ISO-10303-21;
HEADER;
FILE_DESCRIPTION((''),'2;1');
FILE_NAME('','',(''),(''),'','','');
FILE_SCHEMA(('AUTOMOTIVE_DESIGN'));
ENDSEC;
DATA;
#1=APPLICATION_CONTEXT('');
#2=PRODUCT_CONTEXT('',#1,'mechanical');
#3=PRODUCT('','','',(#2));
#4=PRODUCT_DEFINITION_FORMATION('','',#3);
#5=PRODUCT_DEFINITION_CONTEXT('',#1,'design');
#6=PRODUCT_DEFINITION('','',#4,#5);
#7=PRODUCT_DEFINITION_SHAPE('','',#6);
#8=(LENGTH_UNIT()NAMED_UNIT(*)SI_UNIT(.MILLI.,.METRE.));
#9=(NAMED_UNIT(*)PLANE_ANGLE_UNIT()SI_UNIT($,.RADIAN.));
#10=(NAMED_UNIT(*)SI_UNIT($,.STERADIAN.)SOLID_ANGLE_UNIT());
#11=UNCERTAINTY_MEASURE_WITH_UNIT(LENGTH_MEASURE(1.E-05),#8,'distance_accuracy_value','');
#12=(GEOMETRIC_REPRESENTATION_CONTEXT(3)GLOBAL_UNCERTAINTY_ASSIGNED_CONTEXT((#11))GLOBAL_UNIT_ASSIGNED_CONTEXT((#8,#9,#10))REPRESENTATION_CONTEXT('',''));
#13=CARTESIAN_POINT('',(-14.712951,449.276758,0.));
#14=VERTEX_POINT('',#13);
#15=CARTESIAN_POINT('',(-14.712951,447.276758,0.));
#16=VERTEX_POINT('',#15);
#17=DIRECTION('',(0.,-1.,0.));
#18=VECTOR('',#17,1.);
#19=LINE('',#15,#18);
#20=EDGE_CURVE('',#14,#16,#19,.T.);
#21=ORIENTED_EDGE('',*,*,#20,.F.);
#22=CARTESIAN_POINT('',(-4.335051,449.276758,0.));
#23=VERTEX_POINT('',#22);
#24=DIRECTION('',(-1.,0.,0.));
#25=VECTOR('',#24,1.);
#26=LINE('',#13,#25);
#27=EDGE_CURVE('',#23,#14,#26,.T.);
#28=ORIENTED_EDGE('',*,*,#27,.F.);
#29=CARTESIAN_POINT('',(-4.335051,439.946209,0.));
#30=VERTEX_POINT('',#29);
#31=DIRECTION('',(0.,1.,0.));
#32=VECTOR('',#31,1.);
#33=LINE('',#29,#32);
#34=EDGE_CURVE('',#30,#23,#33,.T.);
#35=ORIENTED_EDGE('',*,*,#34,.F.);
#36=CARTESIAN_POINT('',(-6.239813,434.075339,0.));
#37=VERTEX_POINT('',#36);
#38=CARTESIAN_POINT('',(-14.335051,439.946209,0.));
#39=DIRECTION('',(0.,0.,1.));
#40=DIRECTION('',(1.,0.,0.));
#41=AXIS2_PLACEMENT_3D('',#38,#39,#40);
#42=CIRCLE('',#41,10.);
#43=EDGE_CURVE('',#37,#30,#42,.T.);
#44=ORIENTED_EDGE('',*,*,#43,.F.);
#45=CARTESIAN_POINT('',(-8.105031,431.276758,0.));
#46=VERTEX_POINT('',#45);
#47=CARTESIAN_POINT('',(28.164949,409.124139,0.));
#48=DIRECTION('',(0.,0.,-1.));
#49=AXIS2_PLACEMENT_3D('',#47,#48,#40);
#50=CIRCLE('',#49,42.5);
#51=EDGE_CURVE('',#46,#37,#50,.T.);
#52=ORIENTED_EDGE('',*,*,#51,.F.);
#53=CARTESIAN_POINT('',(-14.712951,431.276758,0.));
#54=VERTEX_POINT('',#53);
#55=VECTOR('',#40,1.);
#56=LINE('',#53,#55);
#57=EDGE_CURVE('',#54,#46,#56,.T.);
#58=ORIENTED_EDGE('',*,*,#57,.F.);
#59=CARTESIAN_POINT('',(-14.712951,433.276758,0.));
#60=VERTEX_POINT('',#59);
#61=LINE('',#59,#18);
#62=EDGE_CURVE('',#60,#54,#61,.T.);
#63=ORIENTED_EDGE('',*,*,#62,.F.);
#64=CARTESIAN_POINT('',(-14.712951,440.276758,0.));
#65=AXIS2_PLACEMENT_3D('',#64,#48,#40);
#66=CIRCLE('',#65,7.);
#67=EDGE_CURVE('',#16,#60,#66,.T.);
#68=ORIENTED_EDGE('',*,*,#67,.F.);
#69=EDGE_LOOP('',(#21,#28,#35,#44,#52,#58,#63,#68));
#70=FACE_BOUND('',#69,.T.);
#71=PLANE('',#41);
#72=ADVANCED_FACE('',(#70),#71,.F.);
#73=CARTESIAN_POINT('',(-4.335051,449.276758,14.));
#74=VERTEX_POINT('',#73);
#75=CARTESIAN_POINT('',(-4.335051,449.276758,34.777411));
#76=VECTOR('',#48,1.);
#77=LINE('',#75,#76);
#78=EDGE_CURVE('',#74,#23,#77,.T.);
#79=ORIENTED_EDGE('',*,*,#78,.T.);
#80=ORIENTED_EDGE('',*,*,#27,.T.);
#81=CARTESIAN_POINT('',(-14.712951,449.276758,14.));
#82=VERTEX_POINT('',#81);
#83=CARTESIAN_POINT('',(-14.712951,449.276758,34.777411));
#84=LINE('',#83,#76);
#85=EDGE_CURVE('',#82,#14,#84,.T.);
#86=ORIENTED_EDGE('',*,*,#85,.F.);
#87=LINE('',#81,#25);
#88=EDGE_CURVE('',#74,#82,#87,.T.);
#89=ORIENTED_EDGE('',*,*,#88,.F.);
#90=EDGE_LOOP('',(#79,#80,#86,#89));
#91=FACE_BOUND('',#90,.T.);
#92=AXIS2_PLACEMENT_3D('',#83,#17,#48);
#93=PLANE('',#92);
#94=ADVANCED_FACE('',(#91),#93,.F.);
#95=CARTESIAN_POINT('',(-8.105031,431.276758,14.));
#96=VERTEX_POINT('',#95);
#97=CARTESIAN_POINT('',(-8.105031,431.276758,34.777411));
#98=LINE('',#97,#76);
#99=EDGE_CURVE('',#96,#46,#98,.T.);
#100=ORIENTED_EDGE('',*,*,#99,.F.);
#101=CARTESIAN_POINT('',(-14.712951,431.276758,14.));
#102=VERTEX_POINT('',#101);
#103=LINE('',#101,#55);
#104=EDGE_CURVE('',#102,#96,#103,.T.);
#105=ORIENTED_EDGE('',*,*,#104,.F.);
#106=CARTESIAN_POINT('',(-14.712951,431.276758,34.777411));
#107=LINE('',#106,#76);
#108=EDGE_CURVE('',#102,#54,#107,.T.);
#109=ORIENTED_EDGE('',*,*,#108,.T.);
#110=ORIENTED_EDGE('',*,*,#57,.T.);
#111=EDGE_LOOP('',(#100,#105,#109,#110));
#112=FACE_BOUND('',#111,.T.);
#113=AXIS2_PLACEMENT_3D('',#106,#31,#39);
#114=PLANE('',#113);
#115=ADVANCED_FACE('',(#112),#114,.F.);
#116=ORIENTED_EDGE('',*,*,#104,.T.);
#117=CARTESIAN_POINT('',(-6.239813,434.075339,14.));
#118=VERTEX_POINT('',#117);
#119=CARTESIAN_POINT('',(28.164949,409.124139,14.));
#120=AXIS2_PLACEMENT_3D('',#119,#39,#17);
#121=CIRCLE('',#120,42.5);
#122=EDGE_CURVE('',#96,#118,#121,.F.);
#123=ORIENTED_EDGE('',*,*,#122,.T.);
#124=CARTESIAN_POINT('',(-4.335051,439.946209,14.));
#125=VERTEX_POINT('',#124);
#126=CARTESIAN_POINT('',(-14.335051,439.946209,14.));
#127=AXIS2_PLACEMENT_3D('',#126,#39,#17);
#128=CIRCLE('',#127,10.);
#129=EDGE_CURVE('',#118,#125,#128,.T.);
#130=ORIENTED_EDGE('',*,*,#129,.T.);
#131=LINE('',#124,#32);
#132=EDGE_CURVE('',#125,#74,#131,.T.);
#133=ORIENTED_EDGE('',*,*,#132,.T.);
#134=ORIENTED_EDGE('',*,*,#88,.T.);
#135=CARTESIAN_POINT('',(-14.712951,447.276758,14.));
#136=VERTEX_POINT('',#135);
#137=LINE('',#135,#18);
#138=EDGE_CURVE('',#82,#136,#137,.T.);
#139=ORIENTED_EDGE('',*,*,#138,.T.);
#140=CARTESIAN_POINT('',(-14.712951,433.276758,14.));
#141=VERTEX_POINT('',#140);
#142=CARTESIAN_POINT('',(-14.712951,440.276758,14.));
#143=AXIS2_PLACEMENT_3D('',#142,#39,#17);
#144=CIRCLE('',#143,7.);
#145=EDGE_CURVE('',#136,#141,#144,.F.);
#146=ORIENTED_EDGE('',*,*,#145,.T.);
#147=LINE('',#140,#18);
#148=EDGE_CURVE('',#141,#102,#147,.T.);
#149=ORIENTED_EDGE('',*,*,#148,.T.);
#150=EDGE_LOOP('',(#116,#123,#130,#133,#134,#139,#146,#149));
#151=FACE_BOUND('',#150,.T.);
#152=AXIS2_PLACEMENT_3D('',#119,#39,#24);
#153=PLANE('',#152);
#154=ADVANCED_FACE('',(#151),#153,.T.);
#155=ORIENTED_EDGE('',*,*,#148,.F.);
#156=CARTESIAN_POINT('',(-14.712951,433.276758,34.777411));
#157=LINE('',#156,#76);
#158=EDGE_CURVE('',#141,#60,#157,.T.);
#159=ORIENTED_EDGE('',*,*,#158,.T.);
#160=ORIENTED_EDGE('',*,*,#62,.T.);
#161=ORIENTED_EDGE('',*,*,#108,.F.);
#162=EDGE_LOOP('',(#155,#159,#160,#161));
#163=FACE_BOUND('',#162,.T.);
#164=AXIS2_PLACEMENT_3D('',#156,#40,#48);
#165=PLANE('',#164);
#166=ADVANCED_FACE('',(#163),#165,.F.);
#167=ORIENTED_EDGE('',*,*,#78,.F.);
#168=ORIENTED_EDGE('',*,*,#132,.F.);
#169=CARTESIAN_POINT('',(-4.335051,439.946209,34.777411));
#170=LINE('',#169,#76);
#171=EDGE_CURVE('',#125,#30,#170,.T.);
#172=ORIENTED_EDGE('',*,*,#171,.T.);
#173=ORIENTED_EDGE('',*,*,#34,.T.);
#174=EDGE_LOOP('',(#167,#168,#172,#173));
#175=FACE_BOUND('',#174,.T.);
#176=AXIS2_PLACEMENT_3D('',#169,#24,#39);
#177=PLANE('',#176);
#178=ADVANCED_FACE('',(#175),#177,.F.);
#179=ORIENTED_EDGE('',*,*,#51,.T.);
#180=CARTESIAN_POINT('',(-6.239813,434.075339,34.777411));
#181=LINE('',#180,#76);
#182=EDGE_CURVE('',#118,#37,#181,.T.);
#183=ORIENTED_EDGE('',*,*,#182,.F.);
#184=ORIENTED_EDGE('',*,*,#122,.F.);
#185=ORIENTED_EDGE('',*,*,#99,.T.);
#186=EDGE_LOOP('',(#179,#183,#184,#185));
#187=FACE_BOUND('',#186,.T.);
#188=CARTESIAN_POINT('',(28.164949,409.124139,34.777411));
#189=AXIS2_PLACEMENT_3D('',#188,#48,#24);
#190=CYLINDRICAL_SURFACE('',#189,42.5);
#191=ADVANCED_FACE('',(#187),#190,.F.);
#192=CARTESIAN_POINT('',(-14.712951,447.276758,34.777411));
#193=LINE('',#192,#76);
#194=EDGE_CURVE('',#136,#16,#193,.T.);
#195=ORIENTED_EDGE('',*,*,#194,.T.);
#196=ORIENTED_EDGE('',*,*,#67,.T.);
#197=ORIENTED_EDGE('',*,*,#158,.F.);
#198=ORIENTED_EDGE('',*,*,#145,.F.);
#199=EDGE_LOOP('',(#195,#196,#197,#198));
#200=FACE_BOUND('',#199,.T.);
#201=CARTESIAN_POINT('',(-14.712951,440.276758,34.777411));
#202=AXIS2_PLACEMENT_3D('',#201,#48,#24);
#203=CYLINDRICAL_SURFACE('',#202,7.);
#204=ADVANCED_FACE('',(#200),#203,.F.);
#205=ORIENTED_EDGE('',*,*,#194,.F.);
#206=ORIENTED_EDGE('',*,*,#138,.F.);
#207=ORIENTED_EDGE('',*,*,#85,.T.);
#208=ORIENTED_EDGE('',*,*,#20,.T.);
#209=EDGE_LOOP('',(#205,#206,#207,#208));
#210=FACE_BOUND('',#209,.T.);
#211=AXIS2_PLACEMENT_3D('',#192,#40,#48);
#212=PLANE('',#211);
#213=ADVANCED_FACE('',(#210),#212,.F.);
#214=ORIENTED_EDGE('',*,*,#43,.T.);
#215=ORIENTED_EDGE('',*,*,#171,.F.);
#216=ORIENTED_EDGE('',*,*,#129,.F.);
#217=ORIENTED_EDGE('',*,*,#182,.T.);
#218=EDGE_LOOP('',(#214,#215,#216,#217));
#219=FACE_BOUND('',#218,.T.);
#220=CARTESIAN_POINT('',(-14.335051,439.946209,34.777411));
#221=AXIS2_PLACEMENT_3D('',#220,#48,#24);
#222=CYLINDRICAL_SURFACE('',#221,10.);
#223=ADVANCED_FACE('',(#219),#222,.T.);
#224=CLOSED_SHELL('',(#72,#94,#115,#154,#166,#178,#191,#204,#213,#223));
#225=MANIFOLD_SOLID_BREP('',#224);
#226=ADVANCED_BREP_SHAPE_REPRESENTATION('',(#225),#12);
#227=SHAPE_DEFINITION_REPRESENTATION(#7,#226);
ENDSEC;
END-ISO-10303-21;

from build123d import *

# Parameters (mm, degrees)
EXTRUDE_1_DEPTH = 14


with BuildPart() as part:
    # 草图1 → 凸台-拉伸1 (new body)
    with BuildSketch(Plane.XY):
        with BuildLine():
            Line((-4.335050742, 439.946209227), (-4.335050742, 449.276757584))
            Line((-4.335050742, 449.276757584), (-14.712951443, 449.276757584))
            Line((-14.712951443, 449.276757584), (-14.712951443, 447.276757584))
            ThreePointArc((-14.712951443, 447.276757584), (-7.712951443, 440.276757584), (-14.712951443, 433.276757584))
            Line((-14.712951443, 433.276757584), (-14.712951443, 431.276757584))
            Line((-14.712951443, 431.276757584), (-8.105031432, 431.276757584))
            ThreePointArc((-8.105031432, 431.276757584), (-7.200115769, 432.694505685), (-6.239812646, 434.075338748))
            ThreePointArc((-6.239812646, 434.075338748), (-4.823153429, 436.860142228), (-4.335050742, 439.946209227))
        make_face()
    extrude(amount=EXTRUDE_1_DEPTH)


solid = part.part
